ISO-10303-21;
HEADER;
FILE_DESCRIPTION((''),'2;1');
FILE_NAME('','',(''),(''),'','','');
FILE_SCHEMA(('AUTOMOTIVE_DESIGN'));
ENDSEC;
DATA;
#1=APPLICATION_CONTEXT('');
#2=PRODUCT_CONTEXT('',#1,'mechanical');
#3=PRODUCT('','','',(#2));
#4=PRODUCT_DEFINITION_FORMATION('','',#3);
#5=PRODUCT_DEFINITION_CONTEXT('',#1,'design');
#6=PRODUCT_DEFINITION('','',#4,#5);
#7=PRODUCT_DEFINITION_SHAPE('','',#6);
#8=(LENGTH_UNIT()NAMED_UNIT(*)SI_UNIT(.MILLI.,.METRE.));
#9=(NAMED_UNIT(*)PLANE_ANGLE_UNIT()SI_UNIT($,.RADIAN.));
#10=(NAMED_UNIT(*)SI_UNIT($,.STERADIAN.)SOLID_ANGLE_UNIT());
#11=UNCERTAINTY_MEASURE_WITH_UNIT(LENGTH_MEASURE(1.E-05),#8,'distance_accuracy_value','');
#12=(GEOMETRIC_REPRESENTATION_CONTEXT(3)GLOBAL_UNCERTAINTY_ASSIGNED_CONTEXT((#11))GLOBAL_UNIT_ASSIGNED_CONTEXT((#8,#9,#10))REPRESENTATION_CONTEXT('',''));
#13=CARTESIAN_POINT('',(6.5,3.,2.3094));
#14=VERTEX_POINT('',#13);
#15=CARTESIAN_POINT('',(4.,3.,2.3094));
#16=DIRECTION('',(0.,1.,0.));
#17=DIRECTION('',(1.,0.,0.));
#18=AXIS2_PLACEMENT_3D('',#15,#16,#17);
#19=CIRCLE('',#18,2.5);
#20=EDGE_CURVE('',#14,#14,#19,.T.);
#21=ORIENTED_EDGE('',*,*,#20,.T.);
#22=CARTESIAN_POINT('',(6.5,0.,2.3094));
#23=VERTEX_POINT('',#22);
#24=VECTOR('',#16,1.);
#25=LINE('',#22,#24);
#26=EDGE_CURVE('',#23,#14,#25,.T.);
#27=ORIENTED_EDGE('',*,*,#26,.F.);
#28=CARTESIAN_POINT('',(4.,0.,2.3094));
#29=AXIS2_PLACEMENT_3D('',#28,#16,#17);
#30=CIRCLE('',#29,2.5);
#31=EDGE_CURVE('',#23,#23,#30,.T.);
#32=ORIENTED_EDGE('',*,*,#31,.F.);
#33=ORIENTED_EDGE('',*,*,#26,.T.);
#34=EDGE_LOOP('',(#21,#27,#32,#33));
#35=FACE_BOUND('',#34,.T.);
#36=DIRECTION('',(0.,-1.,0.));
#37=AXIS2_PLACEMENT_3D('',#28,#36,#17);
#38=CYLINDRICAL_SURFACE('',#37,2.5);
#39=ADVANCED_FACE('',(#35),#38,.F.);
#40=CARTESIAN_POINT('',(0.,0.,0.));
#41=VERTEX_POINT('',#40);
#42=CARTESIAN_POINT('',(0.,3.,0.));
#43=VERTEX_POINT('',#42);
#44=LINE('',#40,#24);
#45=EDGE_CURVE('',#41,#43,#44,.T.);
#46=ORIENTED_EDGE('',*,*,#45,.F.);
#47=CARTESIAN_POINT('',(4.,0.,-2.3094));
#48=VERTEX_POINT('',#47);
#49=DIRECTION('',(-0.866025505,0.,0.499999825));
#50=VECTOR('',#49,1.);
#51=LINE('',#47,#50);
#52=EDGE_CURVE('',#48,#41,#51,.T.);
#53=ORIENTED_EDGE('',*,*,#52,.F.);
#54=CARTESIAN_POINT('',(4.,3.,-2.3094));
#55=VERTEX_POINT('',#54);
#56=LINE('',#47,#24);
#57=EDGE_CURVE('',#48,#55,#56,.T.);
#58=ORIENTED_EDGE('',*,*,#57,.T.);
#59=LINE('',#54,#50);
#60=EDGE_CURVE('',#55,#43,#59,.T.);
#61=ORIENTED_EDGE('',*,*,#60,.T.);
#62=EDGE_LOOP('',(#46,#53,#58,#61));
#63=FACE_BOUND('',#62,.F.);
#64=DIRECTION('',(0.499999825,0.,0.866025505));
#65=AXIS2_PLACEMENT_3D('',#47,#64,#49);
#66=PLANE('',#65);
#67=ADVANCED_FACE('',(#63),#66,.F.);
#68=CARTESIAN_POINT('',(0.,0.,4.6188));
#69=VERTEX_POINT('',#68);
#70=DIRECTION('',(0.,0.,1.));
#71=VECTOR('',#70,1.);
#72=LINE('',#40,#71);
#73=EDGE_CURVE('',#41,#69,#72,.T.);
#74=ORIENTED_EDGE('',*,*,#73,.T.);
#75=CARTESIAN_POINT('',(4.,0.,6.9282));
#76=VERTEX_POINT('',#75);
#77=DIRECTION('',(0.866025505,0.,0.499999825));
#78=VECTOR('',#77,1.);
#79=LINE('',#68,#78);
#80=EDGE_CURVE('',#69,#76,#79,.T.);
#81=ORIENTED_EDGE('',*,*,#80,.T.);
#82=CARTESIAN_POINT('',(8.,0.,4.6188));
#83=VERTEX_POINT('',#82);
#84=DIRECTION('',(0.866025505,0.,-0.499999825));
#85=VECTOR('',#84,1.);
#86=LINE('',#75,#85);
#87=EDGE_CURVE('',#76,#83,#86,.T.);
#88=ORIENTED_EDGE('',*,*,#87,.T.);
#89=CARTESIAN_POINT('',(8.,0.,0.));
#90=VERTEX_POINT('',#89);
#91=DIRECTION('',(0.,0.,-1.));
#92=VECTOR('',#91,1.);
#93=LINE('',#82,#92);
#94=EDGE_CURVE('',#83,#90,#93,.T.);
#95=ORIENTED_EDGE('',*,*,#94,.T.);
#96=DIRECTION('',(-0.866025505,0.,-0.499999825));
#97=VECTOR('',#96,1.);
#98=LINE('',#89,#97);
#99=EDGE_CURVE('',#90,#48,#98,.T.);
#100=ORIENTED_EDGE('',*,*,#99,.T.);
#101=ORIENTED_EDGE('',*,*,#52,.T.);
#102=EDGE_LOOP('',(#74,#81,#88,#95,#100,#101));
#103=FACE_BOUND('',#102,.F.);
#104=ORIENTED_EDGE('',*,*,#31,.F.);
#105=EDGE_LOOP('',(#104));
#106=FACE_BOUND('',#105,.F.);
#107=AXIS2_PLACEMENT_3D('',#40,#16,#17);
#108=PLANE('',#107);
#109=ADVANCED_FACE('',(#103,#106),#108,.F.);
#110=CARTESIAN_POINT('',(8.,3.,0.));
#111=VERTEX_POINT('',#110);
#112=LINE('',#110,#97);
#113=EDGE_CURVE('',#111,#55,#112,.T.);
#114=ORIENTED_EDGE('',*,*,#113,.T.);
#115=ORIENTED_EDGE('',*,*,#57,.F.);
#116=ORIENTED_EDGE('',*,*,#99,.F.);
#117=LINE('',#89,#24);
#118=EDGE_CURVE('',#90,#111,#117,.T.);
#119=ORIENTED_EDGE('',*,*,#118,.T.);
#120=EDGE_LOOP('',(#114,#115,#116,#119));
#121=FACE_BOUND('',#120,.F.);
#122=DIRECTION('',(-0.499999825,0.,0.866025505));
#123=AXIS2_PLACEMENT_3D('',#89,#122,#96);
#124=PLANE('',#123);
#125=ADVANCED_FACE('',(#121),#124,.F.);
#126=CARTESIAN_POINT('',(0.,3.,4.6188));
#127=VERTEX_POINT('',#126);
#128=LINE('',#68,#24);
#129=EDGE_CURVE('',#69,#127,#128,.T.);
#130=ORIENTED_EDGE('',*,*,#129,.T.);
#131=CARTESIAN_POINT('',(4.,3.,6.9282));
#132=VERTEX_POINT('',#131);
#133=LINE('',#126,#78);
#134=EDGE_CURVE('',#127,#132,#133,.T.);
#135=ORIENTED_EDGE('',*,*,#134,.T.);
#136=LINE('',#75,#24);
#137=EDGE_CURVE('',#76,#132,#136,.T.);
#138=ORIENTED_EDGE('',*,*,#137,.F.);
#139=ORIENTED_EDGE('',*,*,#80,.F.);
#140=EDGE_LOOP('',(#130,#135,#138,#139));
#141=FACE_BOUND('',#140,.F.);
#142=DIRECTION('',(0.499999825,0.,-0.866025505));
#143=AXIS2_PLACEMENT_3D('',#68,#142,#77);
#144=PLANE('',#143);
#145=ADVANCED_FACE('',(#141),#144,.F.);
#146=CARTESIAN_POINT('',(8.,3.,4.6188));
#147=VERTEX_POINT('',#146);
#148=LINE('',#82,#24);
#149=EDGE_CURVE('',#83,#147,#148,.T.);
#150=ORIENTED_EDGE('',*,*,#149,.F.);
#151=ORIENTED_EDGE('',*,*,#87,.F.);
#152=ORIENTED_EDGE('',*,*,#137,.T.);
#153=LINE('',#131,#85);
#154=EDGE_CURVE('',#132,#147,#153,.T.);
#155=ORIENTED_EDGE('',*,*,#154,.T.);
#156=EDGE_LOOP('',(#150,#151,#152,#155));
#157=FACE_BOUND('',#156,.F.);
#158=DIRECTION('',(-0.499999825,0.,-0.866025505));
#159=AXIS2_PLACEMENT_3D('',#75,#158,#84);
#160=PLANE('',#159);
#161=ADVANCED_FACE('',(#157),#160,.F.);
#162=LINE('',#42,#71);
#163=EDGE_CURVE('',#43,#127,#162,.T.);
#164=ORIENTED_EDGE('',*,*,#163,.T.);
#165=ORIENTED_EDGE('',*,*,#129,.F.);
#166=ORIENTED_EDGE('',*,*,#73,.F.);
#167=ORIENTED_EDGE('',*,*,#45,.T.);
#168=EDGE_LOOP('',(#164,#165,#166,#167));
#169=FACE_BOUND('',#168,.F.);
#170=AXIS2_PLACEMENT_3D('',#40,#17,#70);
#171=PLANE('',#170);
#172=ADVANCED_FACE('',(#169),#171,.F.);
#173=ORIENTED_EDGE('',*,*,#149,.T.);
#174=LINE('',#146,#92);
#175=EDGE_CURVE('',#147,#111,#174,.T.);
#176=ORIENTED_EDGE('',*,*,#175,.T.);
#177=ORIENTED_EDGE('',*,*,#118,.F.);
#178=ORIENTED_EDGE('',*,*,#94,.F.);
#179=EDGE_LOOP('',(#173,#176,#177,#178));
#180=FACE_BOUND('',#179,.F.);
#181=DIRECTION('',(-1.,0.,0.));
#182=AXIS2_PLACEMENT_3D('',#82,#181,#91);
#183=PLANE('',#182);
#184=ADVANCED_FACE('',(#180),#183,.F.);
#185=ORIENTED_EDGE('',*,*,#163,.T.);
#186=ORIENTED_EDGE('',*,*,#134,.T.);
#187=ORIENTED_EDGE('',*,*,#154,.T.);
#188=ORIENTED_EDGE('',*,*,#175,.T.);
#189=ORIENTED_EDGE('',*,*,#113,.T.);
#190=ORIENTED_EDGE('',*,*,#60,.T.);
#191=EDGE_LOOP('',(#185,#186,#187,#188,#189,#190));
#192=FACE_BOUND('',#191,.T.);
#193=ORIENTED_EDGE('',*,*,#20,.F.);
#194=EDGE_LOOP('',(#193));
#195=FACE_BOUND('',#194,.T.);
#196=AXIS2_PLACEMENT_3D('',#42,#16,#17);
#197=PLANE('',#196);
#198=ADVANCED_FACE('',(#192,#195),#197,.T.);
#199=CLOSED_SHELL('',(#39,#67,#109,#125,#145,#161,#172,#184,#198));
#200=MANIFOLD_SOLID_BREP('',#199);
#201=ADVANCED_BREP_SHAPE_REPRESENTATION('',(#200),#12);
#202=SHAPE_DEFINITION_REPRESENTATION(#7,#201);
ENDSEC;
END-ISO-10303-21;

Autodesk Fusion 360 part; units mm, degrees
sketch "草图1" plane through (0, 0, 0) normal (0, 1, 0) x (1, 0, 0)
  line L0 (0, 0) -> (0, -4.6188)
  line L1 (0, -4.6188) -> (4, -6.9282)
  line L2 (4, -6.9282) -> (8, -4.6188)
  line L3 (8, -4.6188) -> (8, 0)
  line L4 (8, 0) -> (4, 2.3094)
  line L5 (4, 2.3094) -> (0, 0)
  circle A0 centre (4, -2.3094) radius 2.5
  point P0 (4, -2.3094)
  dimension "d2" = 8
  dimension "d3" = 5
extrude "拉伸1" add sketch "草图1" along normal blind 3
